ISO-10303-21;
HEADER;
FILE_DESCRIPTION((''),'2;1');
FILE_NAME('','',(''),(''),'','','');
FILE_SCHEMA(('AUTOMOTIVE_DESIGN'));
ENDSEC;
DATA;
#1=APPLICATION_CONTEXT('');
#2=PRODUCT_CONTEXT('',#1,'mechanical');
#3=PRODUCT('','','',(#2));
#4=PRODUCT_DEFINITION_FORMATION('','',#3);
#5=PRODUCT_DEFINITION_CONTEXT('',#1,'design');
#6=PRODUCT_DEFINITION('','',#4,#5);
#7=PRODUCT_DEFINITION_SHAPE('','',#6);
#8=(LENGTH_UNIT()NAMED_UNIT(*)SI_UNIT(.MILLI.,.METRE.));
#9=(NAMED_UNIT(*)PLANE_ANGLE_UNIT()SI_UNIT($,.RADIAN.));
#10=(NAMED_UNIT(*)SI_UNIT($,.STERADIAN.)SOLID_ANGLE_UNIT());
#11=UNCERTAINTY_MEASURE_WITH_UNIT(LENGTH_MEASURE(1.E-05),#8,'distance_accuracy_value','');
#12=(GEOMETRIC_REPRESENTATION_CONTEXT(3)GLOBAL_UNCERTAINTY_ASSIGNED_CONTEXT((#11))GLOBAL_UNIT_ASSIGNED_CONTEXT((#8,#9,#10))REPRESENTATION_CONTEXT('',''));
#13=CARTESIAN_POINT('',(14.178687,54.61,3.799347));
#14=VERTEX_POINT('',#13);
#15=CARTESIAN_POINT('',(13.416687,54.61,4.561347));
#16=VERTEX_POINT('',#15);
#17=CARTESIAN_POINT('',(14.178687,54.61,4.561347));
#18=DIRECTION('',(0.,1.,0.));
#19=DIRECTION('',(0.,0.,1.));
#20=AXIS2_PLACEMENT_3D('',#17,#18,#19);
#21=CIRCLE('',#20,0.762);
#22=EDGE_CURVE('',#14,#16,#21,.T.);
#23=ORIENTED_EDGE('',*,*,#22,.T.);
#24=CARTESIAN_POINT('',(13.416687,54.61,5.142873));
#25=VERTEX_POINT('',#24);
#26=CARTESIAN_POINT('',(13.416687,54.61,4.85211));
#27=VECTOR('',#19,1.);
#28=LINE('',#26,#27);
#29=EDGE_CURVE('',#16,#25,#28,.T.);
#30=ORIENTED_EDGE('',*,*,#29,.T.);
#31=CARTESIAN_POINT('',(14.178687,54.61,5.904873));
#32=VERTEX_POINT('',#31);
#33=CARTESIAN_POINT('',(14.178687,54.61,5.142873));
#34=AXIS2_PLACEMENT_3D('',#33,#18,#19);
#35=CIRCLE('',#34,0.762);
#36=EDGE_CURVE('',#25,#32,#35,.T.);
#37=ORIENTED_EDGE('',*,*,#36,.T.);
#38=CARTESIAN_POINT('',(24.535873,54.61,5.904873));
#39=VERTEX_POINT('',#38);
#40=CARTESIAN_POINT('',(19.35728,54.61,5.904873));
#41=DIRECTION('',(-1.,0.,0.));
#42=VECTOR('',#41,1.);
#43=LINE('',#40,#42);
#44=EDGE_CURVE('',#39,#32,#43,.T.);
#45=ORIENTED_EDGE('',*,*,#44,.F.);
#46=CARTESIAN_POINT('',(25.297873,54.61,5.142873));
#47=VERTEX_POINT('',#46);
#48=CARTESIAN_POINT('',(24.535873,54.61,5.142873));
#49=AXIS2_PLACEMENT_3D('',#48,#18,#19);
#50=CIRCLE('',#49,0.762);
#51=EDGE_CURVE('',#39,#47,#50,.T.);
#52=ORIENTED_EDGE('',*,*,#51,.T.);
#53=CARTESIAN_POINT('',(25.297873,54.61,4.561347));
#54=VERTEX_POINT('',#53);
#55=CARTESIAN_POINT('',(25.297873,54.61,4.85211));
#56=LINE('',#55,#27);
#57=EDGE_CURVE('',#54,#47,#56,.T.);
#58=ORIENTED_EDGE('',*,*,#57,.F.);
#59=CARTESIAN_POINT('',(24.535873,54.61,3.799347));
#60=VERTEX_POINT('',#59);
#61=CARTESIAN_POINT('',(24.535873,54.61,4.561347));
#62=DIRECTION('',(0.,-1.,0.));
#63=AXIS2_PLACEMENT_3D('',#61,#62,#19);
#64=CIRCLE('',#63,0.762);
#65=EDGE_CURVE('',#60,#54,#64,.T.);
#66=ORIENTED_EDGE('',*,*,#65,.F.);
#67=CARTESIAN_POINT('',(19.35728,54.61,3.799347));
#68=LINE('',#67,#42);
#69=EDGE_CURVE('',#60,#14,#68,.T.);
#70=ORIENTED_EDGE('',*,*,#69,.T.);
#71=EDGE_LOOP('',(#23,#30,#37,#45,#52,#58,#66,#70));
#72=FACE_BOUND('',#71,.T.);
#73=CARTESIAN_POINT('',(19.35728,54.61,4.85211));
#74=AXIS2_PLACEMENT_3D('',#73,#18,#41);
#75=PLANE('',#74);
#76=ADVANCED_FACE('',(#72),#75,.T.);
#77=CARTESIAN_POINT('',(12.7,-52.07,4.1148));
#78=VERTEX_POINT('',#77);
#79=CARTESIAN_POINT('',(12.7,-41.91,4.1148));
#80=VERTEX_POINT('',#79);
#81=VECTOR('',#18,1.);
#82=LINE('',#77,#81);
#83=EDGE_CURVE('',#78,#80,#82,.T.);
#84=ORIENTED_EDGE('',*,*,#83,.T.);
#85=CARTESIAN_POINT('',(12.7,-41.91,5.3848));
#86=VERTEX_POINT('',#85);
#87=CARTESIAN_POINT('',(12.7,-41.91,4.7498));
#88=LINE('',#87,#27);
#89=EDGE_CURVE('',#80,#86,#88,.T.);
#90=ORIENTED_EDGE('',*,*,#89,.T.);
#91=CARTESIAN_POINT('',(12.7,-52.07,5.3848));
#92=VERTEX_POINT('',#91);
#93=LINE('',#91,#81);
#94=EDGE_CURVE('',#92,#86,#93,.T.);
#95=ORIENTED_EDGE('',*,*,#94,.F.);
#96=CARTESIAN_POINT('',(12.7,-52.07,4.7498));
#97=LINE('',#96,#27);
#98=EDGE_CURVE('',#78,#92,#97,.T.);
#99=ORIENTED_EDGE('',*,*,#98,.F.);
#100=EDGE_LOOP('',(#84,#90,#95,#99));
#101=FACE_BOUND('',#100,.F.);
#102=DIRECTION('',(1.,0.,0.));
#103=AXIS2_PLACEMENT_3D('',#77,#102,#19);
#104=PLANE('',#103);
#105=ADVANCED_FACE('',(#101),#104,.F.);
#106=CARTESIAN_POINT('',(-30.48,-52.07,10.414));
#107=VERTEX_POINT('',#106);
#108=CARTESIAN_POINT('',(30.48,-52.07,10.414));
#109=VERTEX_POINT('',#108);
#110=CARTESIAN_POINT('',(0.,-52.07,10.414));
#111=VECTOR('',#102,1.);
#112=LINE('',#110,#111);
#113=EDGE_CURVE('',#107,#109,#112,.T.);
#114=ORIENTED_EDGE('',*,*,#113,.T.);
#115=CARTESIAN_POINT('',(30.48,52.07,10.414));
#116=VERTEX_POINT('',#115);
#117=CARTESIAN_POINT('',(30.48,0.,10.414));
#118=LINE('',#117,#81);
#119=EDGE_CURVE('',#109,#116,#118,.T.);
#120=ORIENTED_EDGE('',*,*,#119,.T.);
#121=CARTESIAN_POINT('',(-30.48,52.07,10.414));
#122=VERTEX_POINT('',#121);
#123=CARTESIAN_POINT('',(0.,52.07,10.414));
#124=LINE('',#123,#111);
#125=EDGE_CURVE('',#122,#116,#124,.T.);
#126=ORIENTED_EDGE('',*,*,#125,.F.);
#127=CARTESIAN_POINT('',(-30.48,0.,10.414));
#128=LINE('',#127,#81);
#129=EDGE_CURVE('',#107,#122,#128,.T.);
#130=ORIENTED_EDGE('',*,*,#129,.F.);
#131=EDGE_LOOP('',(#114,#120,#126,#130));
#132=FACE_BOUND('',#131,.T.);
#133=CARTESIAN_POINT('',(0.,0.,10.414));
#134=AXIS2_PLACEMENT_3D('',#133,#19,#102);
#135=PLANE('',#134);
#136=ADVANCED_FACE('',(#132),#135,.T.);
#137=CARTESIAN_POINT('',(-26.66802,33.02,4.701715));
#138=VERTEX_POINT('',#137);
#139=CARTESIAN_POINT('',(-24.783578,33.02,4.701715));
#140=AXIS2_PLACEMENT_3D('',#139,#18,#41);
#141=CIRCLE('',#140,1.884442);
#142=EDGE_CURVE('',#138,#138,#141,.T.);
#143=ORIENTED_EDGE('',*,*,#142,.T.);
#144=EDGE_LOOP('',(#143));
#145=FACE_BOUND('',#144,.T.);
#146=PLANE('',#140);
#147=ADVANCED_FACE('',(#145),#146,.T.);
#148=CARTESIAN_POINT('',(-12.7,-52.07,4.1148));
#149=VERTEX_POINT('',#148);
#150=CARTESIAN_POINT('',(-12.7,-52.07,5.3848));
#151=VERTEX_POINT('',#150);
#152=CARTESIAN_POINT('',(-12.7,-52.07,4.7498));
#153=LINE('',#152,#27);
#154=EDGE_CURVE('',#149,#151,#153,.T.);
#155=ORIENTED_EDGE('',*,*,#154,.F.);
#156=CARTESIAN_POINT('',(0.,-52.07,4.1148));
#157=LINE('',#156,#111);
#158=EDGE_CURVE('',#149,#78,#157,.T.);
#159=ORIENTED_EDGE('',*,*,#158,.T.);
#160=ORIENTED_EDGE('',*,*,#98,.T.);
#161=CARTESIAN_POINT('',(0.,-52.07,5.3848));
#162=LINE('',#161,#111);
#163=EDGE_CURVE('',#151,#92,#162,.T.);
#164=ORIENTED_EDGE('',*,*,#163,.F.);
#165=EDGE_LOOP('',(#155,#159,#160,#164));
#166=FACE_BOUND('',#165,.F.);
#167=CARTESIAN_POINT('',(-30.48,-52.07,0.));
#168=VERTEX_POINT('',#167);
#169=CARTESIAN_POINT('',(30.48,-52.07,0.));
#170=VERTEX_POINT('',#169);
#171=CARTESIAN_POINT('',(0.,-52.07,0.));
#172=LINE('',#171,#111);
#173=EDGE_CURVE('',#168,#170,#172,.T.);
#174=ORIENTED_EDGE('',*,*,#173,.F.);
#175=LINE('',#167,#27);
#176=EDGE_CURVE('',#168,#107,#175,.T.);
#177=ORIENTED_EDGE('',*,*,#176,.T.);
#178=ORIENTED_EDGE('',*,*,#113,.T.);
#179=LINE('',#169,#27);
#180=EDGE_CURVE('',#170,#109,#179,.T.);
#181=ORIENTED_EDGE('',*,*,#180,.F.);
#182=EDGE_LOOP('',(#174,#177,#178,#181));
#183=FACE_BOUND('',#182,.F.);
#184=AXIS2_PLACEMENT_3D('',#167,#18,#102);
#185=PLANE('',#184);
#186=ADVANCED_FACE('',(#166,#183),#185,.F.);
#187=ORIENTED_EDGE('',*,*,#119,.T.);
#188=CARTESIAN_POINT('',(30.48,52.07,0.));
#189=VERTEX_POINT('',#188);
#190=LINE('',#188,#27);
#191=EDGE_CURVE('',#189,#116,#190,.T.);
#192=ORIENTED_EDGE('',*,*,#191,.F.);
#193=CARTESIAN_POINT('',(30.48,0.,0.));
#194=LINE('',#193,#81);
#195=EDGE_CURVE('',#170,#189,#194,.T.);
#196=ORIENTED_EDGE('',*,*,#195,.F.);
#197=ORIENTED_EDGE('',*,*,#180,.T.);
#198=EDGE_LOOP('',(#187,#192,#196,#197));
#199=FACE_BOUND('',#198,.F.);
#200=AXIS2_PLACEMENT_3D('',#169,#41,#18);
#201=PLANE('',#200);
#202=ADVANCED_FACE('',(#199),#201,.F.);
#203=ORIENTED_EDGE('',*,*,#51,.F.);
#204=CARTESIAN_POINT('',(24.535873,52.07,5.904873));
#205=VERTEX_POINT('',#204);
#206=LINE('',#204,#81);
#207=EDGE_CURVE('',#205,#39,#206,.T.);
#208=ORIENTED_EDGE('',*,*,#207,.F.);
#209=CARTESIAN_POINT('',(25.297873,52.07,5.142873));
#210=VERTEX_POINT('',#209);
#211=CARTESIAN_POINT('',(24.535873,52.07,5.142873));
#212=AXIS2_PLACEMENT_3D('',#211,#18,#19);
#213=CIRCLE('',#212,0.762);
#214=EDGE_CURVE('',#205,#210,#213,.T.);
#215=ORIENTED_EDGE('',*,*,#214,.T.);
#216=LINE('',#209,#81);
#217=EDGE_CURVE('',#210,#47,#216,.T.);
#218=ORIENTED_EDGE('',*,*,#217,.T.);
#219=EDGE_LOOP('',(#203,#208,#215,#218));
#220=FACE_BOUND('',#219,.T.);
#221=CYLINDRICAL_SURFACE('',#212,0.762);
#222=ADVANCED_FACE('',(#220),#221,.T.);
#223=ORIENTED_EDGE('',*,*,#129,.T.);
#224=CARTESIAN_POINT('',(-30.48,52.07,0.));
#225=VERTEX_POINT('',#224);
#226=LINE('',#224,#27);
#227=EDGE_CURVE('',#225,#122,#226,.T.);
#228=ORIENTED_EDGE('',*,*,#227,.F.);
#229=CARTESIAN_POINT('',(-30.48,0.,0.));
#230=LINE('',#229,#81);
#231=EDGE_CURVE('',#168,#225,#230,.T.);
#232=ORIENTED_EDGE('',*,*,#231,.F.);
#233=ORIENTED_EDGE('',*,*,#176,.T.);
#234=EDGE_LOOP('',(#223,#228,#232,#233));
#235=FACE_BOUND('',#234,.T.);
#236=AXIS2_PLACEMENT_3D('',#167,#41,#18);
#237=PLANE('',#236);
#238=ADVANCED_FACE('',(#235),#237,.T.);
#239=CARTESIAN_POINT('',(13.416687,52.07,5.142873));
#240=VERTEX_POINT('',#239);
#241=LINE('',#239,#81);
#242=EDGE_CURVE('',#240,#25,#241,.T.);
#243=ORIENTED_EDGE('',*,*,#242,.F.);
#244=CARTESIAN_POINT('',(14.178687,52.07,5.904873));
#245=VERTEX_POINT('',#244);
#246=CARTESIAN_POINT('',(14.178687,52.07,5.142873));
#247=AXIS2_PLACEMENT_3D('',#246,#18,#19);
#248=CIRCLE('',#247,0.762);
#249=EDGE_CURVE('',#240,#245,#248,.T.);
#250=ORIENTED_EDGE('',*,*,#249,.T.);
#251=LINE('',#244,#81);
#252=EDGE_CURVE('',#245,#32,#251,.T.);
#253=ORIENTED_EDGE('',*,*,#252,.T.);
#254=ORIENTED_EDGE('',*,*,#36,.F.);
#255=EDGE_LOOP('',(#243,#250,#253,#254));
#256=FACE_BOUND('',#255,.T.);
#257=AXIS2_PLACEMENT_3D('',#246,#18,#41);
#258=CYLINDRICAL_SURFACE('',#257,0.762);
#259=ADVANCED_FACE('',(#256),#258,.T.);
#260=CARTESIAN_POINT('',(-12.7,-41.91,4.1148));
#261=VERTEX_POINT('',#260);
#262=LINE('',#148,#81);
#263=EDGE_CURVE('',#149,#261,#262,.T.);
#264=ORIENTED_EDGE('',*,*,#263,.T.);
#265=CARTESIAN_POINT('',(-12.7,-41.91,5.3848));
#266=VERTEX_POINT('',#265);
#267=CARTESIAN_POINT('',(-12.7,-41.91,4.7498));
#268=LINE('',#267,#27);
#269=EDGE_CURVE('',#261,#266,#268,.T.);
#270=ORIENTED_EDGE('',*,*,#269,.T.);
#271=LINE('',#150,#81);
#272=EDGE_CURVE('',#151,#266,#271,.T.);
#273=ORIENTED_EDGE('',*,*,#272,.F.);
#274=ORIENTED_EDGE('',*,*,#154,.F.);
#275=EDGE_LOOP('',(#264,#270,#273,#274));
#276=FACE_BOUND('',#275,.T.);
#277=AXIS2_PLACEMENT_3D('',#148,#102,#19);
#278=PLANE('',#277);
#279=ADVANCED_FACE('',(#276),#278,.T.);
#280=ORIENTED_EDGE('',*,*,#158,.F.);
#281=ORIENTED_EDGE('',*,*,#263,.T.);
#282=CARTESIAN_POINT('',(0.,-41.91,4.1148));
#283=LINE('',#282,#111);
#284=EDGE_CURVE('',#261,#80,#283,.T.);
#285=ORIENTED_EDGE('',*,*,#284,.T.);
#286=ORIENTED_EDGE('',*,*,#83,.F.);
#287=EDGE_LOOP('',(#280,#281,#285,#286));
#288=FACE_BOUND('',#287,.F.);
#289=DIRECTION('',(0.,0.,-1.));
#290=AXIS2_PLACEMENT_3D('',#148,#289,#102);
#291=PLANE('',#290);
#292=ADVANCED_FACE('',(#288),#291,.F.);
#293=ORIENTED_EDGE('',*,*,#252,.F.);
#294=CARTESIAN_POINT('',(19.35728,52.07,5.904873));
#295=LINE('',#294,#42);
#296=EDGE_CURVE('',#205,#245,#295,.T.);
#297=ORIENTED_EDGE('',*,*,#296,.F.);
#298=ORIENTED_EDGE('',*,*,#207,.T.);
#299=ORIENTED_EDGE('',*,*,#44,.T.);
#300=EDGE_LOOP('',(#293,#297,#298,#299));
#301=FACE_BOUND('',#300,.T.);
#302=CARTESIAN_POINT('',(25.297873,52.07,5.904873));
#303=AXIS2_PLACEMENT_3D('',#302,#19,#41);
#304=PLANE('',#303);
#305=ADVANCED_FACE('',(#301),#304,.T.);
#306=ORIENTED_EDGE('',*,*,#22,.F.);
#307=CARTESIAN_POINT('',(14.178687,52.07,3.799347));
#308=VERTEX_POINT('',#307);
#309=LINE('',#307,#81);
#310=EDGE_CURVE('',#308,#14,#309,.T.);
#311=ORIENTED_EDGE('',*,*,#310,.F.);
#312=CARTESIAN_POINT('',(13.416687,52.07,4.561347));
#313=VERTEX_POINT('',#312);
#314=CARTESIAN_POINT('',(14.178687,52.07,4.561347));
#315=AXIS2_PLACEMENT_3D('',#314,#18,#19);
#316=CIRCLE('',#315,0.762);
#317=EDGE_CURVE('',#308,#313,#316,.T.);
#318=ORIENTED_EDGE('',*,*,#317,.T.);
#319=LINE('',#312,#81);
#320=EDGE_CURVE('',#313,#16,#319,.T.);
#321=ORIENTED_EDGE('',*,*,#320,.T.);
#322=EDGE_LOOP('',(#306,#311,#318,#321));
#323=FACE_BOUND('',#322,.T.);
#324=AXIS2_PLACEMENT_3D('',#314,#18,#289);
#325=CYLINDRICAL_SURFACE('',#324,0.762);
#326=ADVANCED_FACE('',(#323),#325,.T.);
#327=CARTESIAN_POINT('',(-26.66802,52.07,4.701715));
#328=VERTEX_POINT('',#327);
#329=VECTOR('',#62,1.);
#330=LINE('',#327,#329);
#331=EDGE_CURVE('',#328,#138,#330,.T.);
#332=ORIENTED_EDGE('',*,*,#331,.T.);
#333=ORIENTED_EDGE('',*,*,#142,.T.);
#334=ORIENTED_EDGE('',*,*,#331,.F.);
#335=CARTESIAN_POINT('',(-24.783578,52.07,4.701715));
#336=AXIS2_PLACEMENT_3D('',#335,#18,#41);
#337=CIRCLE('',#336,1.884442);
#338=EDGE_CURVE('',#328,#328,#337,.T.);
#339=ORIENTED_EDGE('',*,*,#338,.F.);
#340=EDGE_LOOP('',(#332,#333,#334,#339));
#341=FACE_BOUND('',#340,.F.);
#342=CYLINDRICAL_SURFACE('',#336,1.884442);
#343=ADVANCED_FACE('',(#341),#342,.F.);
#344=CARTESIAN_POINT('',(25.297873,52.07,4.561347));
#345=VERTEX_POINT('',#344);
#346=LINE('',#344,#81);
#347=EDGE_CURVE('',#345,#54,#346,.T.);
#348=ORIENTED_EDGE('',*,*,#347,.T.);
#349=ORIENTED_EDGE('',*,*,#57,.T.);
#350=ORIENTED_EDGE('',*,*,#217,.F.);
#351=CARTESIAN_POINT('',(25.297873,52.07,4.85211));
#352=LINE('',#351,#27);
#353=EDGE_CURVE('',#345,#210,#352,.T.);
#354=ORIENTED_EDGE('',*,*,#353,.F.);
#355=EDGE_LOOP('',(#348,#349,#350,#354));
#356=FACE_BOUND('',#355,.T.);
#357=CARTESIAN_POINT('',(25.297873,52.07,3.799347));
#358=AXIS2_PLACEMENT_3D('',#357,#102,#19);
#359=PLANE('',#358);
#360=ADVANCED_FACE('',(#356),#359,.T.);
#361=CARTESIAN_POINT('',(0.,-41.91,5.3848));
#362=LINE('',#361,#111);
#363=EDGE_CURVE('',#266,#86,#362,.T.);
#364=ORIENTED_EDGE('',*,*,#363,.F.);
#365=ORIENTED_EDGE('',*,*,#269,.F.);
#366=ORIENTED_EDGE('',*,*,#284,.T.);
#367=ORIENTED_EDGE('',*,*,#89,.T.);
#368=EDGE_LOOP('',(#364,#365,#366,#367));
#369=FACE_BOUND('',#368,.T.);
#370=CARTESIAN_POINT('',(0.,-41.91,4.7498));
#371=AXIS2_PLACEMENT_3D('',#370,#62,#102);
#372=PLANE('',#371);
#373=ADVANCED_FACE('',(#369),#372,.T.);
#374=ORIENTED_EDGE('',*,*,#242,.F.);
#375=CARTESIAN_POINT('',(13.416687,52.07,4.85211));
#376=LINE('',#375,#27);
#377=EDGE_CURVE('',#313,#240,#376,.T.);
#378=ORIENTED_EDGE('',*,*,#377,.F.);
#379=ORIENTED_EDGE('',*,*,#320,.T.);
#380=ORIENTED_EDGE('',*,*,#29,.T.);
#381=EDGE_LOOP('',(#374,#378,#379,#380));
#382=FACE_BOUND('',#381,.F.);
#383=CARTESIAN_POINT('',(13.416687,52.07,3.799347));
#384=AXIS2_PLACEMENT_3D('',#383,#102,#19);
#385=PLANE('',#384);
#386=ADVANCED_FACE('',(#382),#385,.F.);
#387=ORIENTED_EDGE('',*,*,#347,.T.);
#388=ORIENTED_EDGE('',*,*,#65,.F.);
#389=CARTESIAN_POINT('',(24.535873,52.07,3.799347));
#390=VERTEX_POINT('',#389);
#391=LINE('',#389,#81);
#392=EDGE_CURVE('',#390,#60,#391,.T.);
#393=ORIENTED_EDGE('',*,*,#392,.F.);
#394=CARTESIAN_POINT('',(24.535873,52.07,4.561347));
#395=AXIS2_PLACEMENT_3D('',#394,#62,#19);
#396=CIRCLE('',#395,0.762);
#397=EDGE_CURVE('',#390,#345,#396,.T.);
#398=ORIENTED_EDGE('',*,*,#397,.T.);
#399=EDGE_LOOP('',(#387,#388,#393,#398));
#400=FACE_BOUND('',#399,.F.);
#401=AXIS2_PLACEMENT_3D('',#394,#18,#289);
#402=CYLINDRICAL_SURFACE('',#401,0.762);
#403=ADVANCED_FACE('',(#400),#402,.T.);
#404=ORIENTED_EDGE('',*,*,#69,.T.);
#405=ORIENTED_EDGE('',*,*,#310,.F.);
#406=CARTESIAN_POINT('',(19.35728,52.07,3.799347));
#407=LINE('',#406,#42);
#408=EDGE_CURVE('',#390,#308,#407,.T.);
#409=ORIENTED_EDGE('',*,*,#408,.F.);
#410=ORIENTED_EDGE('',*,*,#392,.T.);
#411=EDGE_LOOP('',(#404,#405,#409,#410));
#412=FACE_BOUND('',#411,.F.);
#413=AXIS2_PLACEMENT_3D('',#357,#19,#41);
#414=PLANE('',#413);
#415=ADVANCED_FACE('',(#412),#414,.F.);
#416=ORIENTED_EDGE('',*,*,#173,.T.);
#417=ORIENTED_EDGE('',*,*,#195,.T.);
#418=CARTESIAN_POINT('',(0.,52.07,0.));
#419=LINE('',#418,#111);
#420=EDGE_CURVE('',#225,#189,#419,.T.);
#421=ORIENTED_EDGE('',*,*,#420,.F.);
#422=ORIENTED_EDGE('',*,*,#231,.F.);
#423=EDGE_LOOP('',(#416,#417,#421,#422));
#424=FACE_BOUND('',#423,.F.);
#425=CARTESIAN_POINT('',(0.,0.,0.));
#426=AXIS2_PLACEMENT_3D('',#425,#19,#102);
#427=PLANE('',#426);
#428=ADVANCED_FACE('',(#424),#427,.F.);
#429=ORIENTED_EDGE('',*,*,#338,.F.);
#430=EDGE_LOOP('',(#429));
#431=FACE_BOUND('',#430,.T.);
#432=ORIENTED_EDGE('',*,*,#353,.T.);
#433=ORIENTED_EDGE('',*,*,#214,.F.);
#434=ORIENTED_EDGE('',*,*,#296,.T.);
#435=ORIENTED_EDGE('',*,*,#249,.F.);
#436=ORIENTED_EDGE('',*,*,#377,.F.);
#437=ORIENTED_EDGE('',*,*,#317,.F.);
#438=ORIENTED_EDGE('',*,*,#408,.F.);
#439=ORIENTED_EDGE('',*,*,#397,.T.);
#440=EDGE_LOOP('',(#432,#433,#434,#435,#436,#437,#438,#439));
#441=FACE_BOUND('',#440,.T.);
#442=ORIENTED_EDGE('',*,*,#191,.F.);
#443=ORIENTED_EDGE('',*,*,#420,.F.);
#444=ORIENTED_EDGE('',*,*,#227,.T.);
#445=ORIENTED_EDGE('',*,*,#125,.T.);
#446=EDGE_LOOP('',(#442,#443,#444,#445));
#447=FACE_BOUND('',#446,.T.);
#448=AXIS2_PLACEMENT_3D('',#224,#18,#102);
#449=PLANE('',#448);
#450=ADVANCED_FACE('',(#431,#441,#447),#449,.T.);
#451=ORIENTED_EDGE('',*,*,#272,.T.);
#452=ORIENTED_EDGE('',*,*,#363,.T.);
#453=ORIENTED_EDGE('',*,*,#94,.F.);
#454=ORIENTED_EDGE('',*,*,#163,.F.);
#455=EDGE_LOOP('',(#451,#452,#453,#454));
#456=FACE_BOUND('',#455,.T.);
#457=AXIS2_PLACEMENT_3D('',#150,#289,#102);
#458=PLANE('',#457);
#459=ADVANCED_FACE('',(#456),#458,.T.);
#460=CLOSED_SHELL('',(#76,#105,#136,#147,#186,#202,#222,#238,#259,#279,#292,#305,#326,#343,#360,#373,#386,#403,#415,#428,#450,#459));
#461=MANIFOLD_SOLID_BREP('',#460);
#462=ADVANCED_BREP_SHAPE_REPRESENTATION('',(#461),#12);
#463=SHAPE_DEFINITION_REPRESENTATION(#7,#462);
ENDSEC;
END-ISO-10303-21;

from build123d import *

# Parameters (mm, degrees)
F0_W     = 60.96
F0_H     = 104.14
F0_W_2   = 49.7204400599
F0_H_2   = 36.4855006337
F1_DEPTH = 10.414
F2_W     = 25.4
F2_H     = 1.27
F3_DEPTH = 10.16
F4_R     = 1.8844419378
F5_DEPTH = 19.05
F6_W     = 11.8811856955
F6_H     = 2.1055263933
F7_DEPTH = 2.54
F8_R     = 0.762


with BuildPart() as f1:
    # F0 (on Top) → F1 (new body)
    with BuildSketch(Plane.XY):
        Rectangle(F0_W, F0_H)
        with Locations((-0.3395788372, 28.8962163031)):
            Rectangle(F0_W_2, F0_H_2, mode=Mode.SUBTRACT)
        with Locations((-0.3395788372, 28.8962163031)):
            Rectangle(F0_W_2, F0_H_2)
    extrude(amount=F1_DEPTH)

    # F2 (on face) → F3 (cut)
    with BuildSketch(Plane.XZ.offset(52.07)):
        with Locations((0, 4.7498)):
            Rectangle(F2_W, F2_H)
    extrude(amount=-F3_DEPTH, mode=Mode.SUBTRACT)

    # F4 (on face) → F5 (cut)
    with BuildSketch(Plane(origin=(0, 52.07, 0), x_dir=(-1, 0, 0), z_dir=(0, 1, 0))):
        with Locations((24.78357777, 4.7017154284)):
            Circle(F4_R)
    extrude(amount=-F5_DEPTH, mode=Mode.SUBTRACT)

    # F6 (on face) → F7 (join)
    with BuildSketch(Plane(origin=(0, 52.07, 0), x_dir=(-1, 0, 0), z_dir=(0, 1, 0))):
        with Locations((-19.3572798744, 4.8521101708)):
            Rectangle(F6_W, F6_H)
    extrude(amount=F7_DEPTH)

    # F8
    f8_edges = [f1.edges().sort_by_distance(p)[0] for p in [
        (13.416687, 53.34, 3.799347),
        (25.297873, 53.34, 3.799347),
        (25.297873, 53.34, 5.904873),
        (13.416687, 53.34, 5.904873),
    ]]
    fillet(f8_edges, radius=F8_R)


solid = f1.part
